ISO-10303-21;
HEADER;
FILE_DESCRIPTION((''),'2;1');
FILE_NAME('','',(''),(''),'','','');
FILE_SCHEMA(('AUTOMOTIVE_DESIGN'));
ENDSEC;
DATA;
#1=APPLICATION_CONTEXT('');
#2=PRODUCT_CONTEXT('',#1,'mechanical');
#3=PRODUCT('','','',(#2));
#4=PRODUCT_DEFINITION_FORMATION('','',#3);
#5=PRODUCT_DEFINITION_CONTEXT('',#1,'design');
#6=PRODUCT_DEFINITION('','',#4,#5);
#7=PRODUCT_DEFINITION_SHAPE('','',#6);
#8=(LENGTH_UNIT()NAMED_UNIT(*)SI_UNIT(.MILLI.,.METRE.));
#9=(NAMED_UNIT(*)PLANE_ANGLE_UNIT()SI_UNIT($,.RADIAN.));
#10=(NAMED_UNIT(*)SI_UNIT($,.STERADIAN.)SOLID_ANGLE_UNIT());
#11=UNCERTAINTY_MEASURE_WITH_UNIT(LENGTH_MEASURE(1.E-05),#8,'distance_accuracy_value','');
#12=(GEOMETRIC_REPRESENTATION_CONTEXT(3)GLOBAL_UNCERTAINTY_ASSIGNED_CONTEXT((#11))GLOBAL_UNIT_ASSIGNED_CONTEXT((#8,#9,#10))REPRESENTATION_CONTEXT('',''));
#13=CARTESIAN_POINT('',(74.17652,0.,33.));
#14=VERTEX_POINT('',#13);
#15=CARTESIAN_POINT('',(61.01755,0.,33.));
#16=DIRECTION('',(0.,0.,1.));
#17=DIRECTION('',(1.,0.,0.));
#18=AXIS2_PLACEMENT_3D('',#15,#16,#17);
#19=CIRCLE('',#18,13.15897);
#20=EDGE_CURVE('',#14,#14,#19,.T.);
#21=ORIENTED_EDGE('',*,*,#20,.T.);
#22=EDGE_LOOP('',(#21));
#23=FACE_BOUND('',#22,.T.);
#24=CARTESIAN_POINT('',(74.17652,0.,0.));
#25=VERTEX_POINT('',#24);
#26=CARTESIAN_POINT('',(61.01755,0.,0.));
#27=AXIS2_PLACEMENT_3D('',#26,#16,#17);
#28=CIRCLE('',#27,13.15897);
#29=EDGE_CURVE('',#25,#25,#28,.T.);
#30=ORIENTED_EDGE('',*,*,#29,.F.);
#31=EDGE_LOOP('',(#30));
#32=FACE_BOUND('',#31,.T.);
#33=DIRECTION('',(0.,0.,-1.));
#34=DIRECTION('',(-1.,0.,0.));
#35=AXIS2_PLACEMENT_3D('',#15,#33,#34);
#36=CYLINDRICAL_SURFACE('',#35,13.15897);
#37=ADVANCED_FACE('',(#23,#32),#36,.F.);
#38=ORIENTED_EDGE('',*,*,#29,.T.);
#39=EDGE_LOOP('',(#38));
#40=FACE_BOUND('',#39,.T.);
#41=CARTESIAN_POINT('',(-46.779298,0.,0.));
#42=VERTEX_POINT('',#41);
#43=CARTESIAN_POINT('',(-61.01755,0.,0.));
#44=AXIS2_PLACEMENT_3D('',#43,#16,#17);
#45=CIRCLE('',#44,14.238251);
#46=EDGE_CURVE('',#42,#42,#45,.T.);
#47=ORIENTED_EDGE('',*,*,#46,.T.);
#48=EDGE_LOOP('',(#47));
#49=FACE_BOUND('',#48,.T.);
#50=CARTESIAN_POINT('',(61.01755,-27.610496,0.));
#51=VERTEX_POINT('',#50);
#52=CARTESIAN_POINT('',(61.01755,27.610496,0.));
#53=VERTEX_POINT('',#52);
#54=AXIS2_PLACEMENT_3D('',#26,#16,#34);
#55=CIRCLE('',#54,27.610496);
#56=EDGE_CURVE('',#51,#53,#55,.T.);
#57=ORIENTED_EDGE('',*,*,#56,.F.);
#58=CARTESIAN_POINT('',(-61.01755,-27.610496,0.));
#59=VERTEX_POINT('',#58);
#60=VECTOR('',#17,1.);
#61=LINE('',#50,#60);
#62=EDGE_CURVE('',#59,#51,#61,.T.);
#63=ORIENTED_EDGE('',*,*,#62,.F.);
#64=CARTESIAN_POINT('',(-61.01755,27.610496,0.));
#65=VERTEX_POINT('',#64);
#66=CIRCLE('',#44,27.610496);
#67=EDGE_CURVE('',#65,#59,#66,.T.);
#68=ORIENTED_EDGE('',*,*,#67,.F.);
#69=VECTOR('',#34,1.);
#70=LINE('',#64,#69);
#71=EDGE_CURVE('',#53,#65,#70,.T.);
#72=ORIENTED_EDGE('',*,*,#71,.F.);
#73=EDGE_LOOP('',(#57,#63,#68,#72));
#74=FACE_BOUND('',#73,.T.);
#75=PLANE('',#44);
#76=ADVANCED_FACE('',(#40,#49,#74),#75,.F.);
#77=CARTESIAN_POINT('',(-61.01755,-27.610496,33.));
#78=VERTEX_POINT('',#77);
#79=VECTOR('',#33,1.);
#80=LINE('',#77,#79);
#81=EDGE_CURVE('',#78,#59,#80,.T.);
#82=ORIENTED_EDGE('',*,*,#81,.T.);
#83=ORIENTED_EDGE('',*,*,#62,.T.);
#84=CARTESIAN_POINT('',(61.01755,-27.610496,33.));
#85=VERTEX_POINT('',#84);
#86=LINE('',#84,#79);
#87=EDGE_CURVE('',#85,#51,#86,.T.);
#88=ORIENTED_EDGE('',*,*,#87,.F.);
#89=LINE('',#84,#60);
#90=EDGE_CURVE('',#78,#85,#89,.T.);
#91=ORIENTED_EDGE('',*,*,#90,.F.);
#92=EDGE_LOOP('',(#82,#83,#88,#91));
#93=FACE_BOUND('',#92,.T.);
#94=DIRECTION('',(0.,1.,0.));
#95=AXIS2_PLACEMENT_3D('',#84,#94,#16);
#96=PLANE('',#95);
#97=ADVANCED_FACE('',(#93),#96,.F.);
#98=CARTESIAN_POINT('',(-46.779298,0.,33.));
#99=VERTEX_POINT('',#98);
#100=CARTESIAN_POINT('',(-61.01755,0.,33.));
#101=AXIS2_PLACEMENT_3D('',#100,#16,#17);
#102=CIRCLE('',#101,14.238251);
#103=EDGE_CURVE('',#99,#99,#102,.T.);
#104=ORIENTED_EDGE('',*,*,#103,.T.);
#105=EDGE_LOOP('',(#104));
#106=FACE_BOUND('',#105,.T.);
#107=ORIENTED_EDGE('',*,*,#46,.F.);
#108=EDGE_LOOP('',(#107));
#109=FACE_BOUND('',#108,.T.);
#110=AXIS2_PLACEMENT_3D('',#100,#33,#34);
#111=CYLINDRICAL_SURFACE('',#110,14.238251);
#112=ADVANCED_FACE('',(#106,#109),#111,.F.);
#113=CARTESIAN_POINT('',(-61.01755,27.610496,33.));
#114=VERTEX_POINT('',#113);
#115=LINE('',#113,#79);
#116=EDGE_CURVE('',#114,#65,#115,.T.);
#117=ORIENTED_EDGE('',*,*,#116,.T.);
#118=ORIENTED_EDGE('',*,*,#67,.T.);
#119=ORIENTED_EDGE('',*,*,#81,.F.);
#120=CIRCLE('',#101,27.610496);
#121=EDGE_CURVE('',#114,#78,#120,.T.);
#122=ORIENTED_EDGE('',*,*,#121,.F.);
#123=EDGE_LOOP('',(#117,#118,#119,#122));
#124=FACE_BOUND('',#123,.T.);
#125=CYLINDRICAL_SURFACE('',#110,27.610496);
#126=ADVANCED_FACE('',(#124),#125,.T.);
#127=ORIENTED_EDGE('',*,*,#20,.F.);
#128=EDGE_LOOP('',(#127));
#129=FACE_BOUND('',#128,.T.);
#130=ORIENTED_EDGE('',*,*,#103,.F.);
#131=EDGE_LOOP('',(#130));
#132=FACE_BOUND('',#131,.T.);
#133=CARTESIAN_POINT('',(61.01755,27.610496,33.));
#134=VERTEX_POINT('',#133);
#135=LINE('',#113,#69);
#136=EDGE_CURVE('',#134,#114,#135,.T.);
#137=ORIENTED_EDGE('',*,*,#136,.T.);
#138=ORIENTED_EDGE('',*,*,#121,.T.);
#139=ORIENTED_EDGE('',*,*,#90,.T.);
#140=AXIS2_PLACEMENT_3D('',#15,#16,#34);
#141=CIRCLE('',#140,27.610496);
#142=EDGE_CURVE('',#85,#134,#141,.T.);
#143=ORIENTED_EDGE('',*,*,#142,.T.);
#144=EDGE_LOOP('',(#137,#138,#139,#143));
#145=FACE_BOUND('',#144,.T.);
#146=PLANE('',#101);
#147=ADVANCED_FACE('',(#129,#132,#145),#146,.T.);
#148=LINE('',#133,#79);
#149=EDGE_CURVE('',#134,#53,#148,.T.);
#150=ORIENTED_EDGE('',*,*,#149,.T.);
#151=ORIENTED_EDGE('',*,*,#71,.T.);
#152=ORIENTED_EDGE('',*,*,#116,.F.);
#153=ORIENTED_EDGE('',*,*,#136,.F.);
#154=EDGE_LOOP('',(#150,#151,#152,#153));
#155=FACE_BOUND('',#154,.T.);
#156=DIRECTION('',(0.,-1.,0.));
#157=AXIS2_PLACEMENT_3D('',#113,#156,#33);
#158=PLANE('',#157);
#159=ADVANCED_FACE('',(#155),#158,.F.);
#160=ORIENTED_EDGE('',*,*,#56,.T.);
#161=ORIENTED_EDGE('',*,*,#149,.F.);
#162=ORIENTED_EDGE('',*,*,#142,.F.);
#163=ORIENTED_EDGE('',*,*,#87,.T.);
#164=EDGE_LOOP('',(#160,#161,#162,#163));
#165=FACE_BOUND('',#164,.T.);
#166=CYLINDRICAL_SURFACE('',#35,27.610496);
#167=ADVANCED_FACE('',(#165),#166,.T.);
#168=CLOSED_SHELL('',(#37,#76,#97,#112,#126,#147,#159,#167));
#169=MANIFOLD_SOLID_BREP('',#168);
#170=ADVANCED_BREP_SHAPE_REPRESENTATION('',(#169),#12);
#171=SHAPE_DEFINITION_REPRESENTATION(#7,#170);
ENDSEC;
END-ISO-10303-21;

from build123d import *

# Parameters (mm, degrees)
SKETCH1_R           = 14.238251154
SKETCH1_R_2         = 13.158970378
BOSS_EXTRUDE1_DEPTH = 33


with BuildPart() as part:
    # Sketch1 → Boss-Extrude1 (new body)
    with BuildSketch(Plane.XY):
        with BuildLine():
            Line((-61.01754962, 27.610495658), (61.01754962, 27.610495658))
            ThreePointArc((61.01754962, 27.610495658), (88.628045278, 0), (61.01754962, -27.610495658))
            Line((61.01754962, -27.610495658), (-61.01754962, -27.610495658))
            ThreePointArc((-61.01754962, -27.610495658), (-88.628045278, 0), (-61.01754962, 27.610495658))
        make_face()
        with Locations((-61.01754962, 0)):
            Circle(SKETCH1_R, mode=Mode.SUBTRACT)
        with Locations((61.01754962, 0)):
            Circle(SKETCH1_R_2, mode=Mode.SUBTRACT)
    extrude(amount=BOSS_EXTRUDE1_DEPTH)


solid = part.part
